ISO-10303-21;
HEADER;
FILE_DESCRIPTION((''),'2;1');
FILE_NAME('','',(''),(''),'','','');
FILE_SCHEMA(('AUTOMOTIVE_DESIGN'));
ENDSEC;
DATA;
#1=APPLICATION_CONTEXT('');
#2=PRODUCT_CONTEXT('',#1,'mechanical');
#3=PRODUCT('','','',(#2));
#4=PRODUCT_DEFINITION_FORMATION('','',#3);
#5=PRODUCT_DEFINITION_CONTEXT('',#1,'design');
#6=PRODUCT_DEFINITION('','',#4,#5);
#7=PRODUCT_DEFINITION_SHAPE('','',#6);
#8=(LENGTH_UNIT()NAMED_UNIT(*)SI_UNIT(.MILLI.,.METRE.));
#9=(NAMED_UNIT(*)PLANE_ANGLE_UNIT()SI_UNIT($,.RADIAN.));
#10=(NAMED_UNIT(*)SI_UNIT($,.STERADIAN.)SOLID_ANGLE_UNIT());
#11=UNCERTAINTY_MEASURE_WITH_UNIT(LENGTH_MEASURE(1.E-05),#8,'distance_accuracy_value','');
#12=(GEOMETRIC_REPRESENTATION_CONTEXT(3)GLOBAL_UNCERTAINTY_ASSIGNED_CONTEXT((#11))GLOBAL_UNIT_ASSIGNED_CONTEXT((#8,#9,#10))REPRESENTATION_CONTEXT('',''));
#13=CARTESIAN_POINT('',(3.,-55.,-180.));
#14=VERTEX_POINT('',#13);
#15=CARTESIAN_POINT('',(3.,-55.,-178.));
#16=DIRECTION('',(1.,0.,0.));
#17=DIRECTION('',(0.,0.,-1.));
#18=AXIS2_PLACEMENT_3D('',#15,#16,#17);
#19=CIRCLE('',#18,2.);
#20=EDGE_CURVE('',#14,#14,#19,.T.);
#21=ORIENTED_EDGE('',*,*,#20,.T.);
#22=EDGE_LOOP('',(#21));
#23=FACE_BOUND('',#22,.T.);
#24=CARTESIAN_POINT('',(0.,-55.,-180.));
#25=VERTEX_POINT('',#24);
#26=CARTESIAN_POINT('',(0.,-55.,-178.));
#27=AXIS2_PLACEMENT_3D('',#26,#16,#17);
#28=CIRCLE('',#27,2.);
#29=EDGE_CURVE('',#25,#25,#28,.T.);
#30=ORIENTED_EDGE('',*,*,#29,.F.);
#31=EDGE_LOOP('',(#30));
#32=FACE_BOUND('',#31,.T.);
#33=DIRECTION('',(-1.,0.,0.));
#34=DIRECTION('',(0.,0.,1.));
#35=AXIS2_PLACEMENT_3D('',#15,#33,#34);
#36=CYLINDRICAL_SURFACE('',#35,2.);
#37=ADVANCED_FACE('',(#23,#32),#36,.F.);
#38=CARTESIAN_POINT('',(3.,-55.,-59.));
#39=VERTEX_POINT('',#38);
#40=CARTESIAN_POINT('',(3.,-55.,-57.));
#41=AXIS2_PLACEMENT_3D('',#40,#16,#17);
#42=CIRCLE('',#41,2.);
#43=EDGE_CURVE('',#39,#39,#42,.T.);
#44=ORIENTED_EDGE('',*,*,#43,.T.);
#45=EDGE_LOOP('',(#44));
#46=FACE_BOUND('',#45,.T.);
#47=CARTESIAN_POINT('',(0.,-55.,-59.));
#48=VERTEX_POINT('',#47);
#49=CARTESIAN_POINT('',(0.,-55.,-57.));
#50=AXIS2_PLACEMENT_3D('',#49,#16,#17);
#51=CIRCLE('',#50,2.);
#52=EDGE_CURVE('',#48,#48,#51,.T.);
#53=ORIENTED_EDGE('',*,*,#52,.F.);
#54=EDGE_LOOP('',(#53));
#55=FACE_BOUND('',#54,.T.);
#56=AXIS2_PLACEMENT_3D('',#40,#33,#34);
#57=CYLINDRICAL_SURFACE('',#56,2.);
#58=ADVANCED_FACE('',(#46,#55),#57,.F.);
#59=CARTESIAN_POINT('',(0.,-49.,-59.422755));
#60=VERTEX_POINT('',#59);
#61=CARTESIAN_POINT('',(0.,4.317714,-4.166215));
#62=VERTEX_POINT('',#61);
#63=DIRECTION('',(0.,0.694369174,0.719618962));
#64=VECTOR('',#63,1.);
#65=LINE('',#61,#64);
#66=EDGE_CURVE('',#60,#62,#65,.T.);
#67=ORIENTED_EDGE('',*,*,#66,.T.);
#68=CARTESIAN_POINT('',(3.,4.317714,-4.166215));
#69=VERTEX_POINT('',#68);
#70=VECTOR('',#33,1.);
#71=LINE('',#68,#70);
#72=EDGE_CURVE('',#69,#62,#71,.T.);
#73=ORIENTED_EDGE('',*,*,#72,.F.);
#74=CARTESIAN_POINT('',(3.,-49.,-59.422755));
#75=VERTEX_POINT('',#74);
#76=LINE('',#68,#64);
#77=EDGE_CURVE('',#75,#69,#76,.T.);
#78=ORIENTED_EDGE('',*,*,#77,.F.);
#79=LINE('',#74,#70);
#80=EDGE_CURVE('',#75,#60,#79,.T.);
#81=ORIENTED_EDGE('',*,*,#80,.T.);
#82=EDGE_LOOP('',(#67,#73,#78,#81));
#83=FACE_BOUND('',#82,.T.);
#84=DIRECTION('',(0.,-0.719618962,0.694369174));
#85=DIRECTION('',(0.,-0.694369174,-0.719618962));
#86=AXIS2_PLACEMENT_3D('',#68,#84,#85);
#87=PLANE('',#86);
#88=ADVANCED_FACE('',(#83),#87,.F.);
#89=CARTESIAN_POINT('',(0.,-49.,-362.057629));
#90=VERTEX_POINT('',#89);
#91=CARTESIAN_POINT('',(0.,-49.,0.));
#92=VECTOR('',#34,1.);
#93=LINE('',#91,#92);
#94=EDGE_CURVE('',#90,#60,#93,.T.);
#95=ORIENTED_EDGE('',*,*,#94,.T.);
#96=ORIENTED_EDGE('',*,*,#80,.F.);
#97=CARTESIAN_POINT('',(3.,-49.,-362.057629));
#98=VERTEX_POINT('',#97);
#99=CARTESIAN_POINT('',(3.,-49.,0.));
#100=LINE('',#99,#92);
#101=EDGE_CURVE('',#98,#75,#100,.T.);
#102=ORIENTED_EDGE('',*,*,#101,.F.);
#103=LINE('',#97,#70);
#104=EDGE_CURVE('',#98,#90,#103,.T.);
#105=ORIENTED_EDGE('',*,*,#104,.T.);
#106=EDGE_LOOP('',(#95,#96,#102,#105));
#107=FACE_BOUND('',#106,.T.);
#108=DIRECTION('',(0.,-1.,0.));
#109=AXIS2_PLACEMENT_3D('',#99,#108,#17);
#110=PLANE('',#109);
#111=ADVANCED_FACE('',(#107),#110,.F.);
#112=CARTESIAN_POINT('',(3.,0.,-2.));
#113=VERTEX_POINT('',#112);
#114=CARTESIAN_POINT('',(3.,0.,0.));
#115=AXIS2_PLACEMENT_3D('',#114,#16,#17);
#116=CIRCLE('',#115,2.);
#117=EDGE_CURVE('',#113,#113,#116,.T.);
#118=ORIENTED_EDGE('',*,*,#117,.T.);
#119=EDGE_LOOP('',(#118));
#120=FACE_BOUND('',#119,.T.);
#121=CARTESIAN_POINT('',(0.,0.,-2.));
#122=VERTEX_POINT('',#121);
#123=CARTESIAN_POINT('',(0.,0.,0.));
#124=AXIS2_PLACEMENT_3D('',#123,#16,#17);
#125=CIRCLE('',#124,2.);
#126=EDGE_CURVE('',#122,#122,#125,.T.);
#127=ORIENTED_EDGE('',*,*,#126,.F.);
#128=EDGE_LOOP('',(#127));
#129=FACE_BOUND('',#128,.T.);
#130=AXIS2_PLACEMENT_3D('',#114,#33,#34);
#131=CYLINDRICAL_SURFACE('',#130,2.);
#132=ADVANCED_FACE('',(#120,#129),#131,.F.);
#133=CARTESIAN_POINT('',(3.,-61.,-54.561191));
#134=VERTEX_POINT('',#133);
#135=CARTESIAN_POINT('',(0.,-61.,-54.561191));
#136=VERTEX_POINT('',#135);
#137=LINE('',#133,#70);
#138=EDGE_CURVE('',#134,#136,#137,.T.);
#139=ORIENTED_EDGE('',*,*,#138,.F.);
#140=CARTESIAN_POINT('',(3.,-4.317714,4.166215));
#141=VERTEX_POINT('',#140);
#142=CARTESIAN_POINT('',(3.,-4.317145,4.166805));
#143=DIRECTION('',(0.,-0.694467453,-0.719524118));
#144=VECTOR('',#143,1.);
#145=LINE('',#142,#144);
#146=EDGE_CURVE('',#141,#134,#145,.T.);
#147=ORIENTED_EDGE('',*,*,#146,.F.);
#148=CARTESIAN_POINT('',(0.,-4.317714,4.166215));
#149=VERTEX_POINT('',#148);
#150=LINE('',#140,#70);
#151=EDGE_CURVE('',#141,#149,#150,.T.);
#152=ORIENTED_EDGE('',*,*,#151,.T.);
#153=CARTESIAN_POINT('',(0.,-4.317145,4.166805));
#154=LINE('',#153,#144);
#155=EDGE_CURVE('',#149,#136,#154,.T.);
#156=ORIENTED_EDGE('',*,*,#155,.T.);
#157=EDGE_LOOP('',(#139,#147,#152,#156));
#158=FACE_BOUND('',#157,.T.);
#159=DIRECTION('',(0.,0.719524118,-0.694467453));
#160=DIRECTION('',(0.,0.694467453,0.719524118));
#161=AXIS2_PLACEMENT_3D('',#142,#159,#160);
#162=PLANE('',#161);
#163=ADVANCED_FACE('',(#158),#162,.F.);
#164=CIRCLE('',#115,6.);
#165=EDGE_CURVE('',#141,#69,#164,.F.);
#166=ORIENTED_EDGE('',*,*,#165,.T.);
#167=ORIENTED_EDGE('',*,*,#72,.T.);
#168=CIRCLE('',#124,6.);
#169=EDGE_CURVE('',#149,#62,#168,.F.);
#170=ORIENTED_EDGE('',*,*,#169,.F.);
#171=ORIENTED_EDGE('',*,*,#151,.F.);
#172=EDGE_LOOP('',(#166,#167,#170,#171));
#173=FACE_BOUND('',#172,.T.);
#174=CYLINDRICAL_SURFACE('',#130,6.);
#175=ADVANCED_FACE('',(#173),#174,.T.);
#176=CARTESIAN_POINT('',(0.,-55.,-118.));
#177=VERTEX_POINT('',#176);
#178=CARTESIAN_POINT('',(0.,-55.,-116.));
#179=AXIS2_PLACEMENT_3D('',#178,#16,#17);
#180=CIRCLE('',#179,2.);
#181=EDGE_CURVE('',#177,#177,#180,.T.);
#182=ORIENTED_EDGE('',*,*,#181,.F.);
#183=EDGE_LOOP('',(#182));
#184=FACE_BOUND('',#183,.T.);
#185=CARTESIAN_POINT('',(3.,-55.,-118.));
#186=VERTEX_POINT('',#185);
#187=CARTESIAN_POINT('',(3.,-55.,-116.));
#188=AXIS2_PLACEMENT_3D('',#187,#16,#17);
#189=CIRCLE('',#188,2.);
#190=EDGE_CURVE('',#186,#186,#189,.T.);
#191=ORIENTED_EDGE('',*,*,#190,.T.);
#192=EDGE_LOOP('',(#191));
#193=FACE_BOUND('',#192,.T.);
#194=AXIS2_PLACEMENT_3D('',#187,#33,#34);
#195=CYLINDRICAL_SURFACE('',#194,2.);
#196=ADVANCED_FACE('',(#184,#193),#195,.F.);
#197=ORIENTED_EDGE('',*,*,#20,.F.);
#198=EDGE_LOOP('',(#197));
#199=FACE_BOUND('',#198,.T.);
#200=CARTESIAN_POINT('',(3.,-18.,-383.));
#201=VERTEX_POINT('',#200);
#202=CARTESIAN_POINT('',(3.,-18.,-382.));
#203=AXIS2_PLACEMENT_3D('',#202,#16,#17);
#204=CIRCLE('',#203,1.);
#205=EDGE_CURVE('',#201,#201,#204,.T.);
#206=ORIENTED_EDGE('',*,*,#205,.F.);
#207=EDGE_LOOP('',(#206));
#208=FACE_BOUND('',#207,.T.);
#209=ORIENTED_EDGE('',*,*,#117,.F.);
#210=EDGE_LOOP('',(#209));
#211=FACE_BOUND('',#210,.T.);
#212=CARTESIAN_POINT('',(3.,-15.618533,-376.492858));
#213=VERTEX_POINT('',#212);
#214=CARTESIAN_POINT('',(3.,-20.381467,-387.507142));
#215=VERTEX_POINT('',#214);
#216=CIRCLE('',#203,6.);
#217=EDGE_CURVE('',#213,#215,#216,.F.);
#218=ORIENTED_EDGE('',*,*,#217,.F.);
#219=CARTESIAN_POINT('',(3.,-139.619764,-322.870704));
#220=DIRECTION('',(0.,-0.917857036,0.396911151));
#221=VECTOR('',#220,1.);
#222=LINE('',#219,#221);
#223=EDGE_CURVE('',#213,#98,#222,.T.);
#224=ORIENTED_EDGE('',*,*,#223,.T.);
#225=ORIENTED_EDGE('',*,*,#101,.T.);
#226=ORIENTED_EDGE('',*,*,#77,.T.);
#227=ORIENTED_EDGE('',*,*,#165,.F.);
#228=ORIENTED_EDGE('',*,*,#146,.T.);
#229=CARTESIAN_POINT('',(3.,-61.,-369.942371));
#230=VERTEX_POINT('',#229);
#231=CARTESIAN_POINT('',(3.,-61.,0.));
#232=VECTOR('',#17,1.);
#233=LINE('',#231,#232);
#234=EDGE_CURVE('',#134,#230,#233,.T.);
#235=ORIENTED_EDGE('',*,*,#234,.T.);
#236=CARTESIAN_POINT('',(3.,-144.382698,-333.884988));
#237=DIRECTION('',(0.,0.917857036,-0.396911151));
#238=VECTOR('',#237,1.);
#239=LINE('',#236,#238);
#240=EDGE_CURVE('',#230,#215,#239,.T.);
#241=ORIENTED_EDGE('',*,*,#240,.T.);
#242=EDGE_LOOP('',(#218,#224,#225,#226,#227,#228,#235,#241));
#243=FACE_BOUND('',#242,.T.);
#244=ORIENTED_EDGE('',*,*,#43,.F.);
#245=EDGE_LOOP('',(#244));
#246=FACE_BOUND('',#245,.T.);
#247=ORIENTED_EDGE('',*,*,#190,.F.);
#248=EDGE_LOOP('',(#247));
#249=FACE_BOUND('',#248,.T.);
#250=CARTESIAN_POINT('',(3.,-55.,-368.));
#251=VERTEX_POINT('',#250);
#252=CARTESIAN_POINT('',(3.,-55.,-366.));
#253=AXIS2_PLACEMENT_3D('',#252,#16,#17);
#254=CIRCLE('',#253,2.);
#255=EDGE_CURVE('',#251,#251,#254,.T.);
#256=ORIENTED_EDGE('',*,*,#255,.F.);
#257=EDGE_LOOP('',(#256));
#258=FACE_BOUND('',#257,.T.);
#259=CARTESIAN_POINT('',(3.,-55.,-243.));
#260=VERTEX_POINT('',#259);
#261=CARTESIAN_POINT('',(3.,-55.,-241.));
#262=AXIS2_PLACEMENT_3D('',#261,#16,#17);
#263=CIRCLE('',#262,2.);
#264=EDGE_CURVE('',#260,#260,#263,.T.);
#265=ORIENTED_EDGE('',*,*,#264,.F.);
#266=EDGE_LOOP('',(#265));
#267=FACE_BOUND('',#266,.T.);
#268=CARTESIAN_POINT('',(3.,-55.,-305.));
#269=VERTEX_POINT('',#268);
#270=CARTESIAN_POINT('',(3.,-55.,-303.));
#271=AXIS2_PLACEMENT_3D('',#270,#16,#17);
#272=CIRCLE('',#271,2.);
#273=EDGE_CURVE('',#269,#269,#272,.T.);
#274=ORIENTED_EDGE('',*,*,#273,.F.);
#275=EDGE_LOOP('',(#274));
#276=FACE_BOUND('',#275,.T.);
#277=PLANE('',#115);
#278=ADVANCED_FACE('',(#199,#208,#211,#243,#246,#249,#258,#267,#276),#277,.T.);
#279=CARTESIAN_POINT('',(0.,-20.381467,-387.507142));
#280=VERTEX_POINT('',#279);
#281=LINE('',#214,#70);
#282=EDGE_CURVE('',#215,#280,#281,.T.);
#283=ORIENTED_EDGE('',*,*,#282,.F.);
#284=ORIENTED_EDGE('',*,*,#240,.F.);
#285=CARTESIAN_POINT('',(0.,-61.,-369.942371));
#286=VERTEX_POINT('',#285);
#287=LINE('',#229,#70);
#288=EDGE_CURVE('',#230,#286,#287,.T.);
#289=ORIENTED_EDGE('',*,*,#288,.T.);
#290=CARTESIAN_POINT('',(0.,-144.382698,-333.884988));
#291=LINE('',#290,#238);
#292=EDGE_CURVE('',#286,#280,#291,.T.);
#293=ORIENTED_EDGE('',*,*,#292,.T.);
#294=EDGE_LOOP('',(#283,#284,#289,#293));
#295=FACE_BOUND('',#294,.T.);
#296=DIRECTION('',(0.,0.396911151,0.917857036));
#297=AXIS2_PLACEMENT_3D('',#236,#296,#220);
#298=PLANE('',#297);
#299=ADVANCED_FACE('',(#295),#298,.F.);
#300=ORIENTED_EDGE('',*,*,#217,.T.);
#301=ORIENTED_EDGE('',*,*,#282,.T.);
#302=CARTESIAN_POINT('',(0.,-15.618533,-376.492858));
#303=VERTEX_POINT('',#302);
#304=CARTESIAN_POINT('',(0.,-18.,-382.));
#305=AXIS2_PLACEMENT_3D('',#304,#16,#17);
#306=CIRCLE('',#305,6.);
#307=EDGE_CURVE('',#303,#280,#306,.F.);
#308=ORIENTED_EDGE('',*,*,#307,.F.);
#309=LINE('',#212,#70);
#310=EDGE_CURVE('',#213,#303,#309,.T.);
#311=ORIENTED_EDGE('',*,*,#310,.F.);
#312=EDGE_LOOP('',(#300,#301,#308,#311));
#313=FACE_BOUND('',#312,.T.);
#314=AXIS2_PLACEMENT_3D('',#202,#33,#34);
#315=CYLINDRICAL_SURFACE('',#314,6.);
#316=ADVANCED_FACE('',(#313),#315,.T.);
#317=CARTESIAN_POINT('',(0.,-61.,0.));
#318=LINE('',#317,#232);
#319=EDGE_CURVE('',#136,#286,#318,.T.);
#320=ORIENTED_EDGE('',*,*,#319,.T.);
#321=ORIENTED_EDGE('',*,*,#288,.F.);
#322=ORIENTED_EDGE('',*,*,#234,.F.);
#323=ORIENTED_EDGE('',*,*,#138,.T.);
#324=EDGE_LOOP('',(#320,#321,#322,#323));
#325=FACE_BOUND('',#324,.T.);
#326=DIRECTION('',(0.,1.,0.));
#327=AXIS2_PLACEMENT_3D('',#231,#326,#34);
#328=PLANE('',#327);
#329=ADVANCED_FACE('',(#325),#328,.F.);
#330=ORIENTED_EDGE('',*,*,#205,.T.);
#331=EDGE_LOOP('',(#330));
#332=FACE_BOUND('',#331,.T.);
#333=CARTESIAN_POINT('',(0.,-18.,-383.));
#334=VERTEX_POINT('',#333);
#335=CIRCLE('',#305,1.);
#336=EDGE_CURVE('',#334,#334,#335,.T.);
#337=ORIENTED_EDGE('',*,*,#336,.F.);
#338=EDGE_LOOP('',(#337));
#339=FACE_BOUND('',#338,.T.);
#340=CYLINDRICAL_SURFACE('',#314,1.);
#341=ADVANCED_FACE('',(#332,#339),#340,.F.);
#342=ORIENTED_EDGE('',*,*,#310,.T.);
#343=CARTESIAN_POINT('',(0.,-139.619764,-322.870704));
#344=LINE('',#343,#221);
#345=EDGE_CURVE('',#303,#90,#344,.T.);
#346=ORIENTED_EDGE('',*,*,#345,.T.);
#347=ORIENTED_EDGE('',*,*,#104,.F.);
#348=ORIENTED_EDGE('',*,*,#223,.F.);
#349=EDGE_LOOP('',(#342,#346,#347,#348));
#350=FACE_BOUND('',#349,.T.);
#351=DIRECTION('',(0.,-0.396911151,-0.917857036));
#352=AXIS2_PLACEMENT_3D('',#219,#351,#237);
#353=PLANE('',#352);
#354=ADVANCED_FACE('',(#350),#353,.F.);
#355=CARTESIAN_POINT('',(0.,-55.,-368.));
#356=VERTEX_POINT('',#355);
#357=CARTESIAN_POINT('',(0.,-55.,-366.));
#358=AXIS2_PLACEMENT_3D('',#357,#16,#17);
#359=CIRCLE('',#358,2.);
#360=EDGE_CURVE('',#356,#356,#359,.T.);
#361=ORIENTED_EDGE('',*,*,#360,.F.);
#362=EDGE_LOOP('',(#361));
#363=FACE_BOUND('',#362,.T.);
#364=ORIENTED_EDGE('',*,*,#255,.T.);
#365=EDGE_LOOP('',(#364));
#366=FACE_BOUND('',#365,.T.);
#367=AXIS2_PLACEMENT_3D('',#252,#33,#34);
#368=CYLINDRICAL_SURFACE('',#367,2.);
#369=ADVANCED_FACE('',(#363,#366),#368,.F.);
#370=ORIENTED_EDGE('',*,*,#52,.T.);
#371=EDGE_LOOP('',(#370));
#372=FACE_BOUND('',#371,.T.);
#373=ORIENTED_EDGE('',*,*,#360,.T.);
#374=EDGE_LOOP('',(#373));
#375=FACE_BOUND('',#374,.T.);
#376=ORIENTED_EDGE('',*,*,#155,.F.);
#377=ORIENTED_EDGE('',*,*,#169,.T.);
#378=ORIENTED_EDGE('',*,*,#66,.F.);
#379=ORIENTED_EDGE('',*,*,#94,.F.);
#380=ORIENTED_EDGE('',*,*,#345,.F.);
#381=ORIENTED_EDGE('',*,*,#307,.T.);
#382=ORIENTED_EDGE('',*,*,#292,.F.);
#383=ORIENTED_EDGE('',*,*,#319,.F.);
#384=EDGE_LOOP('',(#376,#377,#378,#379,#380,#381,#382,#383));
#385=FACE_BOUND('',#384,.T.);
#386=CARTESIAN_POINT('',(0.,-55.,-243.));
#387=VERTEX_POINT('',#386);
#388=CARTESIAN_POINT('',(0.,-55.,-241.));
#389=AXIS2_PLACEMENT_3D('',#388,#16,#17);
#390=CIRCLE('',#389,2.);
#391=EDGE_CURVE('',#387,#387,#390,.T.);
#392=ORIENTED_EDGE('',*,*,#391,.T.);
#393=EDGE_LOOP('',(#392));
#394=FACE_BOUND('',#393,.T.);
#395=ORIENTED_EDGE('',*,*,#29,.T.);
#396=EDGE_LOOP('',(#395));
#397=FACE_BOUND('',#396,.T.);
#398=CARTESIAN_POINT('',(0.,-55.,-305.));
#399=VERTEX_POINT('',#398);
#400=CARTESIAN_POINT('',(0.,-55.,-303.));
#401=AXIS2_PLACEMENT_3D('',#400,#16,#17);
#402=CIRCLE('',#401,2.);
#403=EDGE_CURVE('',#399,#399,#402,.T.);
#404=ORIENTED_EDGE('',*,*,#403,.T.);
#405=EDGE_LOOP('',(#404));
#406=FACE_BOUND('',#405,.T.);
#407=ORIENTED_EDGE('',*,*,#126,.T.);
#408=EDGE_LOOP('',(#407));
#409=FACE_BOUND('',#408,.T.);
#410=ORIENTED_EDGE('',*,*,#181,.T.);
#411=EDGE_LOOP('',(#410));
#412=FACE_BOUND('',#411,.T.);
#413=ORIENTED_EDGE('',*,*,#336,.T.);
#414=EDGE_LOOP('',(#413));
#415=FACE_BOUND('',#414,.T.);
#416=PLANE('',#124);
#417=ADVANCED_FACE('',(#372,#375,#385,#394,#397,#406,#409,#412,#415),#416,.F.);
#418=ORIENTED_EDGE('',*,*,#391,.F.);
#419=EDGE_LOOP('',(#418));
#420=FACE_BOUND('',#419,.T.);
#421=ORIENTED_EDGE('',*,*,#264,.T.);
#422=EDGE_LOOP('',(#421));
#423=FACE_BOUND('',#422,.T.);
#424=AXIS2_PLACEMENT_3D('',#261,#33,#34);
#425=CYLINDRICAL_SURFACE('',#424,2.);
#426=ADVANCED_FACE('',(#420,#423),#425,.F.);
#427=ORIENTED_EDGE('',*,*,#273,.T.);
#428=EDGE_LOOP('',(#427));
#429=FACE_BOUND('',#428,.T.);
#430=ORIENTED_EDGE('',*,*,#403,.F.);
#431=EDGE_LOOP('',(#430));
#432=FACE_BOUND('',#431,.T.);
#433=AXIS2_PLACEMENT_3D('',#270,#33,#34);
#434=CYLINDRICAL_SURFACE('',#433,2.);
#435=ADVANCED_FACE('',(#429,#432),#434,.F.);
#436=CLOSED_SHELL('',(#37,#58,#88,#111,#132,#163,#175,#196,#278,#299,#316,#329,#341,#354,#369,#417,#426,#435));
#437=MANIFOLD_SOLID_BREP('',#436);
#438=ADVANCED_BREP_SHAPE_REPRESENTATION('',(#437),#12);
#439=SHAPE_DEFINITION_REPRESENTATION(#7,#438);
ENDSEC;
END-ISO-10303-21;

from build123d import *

# Parameters (mm, degrees)
SKETCH1_R           = 1
SKETCH1_R_2         = 2
BOSS_EXTRUDE1_DEPTH = 3


with BuildPart() as part:
    # Sketch1 → Boss-Extrude1 (new body)
    with BuildSketch(Plane(origin=(0, 0, 0), x_dir=(0, 0, -1), z_dir=(1, 0, 0))):
        with BuildLine():
            ThreePointArc((376.492857784, -15.618533096), (384.381466904, -12.492857784), (387.507142216, -20.381466904))
            Line((387.507142216, -20.381466904), (369.942371147, -61))
            Line((369.942371147, -61), (366, -61))
            Line((366, -61), (54.561190838, -61))
            Line((54.561190838, -61), (-4.166215043, -4.317713772))
            ThreePointArc((-4.166215043, -4.317713772), (-4.317713772, 4.166215043), (4.166215043, 4.317713772))
            Line((4.166215043, 4.317713772), (59.42275477, -49))
            Line((59.42275477, -49), (362.057628853, -49))
            Line((362.057628853, -49), (376.492857784, -15.618533096))
        make_face()
        with Locations((382, -18)):
            Circle(SKETCH1_R, mode=Mode.SUBTRACT)
        with Locations((366, -55)):
            Circle(SKETCH1_R_2, mode=Mode.SUBTRACT)
        with Locations((303, -55)):
            Circle(SKETCH1_R_2, mode=Mode.SUBTRACT)
        with Locations((241, -55)):
            Circle(SKETCH1_R_2, mode=Mode.SUBTRACT)
        with Locations((178, -55)):
            Circle(SKETCH1_R_2, mode=Mode.SUBTRACT)
        with Locations((116, -55)):
            Circle(SKETCH1_R_2, mode=Mode.SUBTRACT)
        with Locations((57, -55)):
            Circle(SKETCH1_R_2, mode=Mode.SUBTRACT)
        Circle(SKETCH1_R_2, mode=Mode.SUBTRACT)
    extrude(amount=BOSS_EXTRUDE1_DEPTH)


solid = part.part
